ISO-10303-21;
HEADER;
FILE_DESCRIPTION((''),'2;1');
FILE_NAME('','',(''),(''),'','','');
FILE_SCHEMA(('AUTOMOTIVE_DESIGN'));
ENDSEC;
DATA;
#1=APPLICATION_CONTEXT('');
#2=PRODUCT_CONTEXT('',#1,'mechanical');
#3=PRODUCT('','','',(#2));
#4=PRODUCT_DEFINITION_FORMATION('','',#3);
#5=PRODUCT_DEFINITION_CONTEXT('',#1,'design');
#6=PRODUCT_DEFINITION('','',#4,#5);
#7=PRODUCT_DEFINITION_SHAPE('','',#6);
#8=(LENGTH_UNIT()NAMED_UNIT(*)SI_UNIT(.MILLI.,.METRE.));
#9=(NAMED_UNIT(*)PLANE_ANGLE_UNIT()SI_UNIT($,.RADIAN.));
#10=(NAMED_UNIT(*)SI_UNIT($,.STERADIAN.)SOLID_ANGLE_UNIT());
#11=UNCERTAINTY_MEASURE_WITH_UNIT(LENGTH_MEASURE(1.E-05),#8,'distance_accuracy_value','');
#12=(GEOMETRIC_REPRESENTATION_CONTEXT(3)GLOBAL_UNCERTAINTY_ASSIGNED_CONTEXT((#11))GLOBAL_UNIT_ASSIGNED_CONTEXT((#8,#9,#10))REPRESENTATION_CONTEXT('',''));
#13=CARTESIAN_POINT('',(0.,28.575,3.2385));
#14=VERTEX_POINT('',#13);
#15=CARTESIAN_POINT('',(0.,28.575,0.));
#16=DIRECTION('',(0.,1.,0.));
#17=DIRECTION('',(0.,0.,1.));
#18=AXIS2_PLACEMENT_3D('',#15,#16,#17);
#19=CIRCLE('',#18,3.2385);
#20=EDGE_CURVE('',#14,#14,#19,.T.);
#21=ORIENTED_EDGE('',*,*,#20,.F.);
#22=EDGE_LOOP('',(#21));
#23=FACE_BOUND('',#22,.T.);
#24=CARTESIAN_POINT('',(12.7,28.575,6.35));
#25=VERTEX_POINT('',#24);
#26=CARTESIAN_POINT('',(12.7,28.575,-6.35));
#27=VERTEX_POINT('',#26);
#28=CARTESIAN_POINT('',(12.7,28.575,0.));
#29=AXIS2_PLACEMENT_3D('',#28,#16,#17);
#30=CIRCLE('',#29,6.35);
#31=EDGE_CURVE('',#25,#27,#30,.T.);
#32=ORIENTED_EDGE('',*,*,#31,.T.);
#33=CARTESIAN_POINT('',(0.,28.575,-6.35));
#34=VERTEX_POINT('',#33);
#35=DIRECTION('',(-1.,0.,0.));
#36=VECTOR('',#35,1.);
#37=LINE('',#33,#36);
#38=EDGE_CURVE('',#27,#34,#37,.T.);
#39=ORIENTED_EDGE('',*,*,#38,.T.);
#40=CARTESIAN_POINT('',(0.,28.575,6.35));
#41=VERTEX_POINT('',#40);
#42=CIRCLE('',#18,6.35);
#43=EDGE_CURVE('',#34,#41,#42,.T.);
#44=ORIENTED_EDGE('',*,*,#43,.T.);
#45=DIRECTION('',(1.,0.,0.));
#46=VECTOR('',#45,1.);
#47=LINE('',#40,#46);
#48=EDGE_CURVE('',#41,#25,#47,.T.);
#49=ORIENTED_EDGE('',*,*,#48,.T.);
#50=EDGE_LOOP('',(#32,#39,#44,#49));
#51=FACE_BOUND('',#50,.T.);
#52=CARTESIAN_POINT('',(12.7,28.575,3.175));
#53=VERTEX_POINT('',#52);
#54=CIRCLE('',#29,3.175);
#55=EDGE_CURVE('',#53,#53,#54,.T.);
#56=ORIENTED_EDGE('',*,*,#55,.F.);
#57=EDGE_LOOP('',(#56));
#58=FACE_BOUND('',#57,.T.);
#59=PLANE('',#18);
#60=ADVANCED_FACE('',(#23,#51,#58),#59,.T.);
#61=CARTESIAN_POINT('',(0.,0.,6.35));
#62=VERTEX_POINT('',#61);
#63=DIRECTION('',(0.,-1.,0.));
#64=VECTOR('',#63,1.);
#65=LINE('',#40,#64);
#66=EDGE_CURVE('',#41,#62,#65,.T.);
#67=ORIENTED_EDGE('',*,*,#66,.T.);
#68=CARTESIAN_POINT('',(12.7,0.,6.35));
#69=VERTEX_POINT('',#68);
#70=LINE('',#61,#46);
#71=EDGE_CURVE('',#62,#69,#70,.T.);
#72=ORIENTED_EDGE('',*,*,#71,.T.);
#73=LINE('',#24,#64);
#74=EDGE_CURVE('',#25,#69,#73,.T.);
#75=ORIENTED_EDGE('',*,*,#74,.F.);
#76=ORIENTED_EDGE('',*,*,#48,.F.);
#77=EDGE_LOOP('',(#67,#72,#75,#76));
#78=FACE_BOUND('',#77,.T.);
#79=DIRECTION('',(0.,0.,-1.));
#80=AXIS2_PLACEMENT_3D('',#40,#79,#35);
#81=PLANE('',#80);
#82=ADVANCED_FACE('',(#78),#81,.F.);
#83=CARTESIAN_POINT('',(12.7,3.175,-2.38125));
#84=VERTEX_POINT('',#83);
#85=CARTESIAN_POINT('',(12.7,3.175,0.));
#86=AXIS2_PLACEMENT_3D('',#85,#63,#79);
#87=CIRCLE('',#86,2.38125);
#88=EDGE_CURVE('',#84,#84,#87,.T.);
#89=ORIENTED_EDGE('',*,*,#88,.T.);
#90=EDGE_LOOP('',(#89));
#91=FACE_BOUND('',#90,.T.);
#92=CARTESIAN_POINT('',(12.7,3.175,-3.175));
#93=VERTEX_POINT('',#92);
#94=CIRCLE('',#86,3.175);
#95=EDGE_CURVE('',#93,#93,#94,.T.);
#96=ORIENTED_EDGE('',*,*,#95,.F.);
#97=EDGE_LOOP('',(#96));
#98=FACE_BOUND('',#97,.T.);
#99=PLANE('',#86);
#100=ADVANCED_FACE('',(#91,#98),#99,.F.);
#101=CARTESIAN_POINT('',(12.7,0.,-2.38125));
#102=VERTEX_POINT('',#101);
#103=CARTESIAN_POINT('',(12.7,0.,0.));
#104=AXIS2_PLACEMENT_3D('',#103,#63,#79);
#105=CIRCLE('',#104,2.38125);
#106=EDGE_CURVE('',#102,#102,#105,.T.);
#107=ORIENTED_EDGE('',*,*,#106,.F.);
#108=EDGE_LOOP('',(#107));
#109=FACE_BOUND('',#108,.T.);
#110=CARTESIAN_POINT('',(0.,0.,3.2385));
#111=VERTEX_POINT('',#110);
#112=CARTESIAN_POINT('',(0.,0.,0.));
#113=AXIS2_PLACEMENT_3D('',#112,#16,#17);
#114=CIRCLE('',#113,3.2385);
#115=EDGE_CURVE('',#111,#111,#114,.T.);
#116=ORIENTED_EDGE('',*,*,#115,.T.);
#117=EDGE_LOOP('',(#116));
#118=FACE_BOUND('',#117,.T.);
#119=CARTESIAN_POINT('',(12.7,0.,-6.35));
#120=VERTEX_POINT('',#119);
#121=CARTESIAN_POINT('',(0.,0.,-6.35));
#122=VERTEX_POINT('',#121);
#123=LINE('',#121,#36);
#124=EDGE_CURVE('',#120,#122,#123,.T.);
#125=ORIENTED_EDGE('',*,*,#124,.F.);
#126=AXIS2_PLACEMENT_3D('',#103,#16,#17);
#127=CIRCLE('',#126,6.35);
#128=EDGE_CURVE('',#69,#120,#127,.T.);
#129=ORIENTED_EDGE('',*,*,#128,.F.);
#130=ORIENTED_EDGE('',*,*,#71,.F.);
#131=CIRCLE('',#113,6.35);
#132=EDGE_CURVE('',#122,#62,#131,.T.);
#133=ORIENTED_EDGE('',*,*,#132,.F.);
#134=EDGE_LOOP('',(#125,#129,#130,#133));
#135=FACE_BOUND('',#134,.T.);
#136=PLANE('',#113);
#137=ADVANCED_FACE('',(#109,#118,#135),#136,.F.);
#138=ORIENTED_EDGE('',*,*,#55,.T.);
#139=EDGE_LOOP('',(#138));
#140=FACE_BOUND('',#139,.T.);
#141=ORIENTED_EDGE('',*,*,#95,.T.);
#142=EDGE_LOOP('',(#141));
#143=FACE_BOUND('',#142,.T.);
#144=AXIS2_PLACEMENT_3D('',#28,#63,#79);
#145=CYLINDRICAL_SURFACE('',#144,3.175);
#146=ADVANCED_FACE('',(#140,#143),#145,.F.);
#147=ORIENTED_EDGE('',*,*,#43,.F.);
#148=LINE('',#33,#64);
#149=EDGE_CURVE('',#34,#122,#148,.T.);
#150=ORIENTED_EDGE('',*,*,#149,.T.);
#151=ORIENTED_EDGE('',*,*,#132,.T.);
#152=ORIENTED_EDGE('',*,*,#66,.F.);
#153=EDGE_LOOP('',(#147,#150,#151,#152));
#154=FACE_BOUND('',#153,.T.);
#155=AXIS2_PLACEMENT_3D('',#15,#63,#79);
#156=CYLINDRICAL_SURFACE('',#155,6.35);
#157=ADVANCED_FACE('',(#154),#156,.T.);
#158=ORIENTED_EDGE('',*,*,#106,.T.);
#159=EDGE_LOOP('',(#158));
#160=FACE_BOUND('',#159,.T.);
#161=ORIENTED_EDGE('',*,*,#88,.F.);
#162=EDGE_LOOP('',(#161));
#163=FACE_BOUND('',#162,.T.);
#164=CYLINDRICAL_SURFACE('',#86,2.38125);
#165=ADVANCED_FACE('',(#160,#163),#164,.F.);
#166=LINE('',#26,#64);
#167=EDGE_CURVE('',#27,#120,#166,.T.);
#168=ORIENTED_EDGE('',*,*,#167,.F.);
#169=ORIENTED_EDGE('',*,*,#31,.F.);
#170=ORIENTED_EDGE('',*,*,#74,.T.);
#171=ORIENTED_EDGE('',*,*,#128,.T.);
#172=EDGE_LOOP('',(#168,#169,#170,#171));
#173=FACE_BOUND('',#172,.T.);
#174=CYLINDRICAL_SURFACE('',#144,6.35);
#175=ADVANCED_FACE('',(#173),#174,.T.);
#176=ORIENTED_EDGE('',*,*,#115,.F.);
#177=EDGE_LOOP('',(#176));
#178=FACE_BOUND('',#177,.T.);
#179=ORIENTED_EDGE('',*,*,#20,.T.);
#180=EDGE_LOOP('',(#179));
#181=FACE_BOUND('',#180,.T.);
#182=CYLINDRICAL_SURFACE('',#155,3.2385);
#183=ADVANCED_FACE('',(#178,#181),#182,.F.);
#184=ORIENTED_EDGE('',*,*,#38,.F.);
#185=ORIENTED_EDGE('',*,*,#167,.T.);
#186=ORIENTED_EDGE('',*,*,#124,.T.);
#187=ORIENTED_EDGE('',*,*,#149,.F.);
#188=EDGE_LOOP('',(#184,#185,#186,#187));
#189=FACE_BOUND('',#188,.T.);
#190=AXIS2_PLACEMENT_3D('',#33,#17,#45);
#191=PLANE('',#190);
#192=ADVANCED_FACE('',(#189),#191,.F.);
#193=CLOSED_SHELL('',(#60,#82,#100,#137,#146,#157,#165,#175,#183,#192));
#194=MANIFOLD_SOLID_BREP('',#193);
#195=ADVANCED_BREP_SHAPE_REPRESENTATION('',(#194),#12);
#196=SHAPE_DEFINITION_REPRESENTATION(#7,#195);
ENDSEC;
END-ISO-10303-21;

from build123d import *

# Parameters (mm, degrees)
SKETCH1_R           = 3.2385
SKETCH1_R_2         = 3.175
BOSS_EXTRUDE1_DEPTH = 28.575
SKETCH2_R           = 3.175
SKETCH2_R_2         = 2.38125
BOSS_EXTRUDE2_DEPTH = 3.175


with BuildPart() as part:
    # Sketch1 → Boss-Extrude1 (new body)
    with BuildSketch(Plane(origin=(0, 0, 0), x_dir=(1, 0, 0), z_dir=(0, 1, 0))):
        with BuildLine():
            Line((0, 6.35), (12.7, 6.35))
            ThreePointArc((12.7, 6.35), (19.05, 0), (12.7, -6.35))
            Line((12.7, -6.35), (0, -6.35))
            ThreePointArc((0, -6.35), (-6.35, 0), (0, 6.35))
        make_face()
        with Locations(Location((0, 0, 0), (0, 0, 270))):
            Circle(SKETCH1_R, mode=Mode.SUBTRACT)
        with Locations(Location((12.7, 0, 0), (0, 0, 270))):
            Circle(SKETCH1_R_2, mode=Mode.SUBTRACT)
    extrude(amount=BOSS_EXTRUDE1_DEPTH)

    # Sketch2 → Boss-Extrude2 (add)
    with BuildSketch(Plane.XZ):
        with Locations(Location((12.7, 0, 0), (0, 0, 270))):
            Circle(SKETCH2_R)
        with Locations(Location((12.7, 0, 0), (0, 0, 270))):
            Circle(SKETCH2_R_2, mode=Mode.SUBTRACT)
    extrude(amount=-BOSS_EXTRUDE2_DEPTH)


solid = part.part
